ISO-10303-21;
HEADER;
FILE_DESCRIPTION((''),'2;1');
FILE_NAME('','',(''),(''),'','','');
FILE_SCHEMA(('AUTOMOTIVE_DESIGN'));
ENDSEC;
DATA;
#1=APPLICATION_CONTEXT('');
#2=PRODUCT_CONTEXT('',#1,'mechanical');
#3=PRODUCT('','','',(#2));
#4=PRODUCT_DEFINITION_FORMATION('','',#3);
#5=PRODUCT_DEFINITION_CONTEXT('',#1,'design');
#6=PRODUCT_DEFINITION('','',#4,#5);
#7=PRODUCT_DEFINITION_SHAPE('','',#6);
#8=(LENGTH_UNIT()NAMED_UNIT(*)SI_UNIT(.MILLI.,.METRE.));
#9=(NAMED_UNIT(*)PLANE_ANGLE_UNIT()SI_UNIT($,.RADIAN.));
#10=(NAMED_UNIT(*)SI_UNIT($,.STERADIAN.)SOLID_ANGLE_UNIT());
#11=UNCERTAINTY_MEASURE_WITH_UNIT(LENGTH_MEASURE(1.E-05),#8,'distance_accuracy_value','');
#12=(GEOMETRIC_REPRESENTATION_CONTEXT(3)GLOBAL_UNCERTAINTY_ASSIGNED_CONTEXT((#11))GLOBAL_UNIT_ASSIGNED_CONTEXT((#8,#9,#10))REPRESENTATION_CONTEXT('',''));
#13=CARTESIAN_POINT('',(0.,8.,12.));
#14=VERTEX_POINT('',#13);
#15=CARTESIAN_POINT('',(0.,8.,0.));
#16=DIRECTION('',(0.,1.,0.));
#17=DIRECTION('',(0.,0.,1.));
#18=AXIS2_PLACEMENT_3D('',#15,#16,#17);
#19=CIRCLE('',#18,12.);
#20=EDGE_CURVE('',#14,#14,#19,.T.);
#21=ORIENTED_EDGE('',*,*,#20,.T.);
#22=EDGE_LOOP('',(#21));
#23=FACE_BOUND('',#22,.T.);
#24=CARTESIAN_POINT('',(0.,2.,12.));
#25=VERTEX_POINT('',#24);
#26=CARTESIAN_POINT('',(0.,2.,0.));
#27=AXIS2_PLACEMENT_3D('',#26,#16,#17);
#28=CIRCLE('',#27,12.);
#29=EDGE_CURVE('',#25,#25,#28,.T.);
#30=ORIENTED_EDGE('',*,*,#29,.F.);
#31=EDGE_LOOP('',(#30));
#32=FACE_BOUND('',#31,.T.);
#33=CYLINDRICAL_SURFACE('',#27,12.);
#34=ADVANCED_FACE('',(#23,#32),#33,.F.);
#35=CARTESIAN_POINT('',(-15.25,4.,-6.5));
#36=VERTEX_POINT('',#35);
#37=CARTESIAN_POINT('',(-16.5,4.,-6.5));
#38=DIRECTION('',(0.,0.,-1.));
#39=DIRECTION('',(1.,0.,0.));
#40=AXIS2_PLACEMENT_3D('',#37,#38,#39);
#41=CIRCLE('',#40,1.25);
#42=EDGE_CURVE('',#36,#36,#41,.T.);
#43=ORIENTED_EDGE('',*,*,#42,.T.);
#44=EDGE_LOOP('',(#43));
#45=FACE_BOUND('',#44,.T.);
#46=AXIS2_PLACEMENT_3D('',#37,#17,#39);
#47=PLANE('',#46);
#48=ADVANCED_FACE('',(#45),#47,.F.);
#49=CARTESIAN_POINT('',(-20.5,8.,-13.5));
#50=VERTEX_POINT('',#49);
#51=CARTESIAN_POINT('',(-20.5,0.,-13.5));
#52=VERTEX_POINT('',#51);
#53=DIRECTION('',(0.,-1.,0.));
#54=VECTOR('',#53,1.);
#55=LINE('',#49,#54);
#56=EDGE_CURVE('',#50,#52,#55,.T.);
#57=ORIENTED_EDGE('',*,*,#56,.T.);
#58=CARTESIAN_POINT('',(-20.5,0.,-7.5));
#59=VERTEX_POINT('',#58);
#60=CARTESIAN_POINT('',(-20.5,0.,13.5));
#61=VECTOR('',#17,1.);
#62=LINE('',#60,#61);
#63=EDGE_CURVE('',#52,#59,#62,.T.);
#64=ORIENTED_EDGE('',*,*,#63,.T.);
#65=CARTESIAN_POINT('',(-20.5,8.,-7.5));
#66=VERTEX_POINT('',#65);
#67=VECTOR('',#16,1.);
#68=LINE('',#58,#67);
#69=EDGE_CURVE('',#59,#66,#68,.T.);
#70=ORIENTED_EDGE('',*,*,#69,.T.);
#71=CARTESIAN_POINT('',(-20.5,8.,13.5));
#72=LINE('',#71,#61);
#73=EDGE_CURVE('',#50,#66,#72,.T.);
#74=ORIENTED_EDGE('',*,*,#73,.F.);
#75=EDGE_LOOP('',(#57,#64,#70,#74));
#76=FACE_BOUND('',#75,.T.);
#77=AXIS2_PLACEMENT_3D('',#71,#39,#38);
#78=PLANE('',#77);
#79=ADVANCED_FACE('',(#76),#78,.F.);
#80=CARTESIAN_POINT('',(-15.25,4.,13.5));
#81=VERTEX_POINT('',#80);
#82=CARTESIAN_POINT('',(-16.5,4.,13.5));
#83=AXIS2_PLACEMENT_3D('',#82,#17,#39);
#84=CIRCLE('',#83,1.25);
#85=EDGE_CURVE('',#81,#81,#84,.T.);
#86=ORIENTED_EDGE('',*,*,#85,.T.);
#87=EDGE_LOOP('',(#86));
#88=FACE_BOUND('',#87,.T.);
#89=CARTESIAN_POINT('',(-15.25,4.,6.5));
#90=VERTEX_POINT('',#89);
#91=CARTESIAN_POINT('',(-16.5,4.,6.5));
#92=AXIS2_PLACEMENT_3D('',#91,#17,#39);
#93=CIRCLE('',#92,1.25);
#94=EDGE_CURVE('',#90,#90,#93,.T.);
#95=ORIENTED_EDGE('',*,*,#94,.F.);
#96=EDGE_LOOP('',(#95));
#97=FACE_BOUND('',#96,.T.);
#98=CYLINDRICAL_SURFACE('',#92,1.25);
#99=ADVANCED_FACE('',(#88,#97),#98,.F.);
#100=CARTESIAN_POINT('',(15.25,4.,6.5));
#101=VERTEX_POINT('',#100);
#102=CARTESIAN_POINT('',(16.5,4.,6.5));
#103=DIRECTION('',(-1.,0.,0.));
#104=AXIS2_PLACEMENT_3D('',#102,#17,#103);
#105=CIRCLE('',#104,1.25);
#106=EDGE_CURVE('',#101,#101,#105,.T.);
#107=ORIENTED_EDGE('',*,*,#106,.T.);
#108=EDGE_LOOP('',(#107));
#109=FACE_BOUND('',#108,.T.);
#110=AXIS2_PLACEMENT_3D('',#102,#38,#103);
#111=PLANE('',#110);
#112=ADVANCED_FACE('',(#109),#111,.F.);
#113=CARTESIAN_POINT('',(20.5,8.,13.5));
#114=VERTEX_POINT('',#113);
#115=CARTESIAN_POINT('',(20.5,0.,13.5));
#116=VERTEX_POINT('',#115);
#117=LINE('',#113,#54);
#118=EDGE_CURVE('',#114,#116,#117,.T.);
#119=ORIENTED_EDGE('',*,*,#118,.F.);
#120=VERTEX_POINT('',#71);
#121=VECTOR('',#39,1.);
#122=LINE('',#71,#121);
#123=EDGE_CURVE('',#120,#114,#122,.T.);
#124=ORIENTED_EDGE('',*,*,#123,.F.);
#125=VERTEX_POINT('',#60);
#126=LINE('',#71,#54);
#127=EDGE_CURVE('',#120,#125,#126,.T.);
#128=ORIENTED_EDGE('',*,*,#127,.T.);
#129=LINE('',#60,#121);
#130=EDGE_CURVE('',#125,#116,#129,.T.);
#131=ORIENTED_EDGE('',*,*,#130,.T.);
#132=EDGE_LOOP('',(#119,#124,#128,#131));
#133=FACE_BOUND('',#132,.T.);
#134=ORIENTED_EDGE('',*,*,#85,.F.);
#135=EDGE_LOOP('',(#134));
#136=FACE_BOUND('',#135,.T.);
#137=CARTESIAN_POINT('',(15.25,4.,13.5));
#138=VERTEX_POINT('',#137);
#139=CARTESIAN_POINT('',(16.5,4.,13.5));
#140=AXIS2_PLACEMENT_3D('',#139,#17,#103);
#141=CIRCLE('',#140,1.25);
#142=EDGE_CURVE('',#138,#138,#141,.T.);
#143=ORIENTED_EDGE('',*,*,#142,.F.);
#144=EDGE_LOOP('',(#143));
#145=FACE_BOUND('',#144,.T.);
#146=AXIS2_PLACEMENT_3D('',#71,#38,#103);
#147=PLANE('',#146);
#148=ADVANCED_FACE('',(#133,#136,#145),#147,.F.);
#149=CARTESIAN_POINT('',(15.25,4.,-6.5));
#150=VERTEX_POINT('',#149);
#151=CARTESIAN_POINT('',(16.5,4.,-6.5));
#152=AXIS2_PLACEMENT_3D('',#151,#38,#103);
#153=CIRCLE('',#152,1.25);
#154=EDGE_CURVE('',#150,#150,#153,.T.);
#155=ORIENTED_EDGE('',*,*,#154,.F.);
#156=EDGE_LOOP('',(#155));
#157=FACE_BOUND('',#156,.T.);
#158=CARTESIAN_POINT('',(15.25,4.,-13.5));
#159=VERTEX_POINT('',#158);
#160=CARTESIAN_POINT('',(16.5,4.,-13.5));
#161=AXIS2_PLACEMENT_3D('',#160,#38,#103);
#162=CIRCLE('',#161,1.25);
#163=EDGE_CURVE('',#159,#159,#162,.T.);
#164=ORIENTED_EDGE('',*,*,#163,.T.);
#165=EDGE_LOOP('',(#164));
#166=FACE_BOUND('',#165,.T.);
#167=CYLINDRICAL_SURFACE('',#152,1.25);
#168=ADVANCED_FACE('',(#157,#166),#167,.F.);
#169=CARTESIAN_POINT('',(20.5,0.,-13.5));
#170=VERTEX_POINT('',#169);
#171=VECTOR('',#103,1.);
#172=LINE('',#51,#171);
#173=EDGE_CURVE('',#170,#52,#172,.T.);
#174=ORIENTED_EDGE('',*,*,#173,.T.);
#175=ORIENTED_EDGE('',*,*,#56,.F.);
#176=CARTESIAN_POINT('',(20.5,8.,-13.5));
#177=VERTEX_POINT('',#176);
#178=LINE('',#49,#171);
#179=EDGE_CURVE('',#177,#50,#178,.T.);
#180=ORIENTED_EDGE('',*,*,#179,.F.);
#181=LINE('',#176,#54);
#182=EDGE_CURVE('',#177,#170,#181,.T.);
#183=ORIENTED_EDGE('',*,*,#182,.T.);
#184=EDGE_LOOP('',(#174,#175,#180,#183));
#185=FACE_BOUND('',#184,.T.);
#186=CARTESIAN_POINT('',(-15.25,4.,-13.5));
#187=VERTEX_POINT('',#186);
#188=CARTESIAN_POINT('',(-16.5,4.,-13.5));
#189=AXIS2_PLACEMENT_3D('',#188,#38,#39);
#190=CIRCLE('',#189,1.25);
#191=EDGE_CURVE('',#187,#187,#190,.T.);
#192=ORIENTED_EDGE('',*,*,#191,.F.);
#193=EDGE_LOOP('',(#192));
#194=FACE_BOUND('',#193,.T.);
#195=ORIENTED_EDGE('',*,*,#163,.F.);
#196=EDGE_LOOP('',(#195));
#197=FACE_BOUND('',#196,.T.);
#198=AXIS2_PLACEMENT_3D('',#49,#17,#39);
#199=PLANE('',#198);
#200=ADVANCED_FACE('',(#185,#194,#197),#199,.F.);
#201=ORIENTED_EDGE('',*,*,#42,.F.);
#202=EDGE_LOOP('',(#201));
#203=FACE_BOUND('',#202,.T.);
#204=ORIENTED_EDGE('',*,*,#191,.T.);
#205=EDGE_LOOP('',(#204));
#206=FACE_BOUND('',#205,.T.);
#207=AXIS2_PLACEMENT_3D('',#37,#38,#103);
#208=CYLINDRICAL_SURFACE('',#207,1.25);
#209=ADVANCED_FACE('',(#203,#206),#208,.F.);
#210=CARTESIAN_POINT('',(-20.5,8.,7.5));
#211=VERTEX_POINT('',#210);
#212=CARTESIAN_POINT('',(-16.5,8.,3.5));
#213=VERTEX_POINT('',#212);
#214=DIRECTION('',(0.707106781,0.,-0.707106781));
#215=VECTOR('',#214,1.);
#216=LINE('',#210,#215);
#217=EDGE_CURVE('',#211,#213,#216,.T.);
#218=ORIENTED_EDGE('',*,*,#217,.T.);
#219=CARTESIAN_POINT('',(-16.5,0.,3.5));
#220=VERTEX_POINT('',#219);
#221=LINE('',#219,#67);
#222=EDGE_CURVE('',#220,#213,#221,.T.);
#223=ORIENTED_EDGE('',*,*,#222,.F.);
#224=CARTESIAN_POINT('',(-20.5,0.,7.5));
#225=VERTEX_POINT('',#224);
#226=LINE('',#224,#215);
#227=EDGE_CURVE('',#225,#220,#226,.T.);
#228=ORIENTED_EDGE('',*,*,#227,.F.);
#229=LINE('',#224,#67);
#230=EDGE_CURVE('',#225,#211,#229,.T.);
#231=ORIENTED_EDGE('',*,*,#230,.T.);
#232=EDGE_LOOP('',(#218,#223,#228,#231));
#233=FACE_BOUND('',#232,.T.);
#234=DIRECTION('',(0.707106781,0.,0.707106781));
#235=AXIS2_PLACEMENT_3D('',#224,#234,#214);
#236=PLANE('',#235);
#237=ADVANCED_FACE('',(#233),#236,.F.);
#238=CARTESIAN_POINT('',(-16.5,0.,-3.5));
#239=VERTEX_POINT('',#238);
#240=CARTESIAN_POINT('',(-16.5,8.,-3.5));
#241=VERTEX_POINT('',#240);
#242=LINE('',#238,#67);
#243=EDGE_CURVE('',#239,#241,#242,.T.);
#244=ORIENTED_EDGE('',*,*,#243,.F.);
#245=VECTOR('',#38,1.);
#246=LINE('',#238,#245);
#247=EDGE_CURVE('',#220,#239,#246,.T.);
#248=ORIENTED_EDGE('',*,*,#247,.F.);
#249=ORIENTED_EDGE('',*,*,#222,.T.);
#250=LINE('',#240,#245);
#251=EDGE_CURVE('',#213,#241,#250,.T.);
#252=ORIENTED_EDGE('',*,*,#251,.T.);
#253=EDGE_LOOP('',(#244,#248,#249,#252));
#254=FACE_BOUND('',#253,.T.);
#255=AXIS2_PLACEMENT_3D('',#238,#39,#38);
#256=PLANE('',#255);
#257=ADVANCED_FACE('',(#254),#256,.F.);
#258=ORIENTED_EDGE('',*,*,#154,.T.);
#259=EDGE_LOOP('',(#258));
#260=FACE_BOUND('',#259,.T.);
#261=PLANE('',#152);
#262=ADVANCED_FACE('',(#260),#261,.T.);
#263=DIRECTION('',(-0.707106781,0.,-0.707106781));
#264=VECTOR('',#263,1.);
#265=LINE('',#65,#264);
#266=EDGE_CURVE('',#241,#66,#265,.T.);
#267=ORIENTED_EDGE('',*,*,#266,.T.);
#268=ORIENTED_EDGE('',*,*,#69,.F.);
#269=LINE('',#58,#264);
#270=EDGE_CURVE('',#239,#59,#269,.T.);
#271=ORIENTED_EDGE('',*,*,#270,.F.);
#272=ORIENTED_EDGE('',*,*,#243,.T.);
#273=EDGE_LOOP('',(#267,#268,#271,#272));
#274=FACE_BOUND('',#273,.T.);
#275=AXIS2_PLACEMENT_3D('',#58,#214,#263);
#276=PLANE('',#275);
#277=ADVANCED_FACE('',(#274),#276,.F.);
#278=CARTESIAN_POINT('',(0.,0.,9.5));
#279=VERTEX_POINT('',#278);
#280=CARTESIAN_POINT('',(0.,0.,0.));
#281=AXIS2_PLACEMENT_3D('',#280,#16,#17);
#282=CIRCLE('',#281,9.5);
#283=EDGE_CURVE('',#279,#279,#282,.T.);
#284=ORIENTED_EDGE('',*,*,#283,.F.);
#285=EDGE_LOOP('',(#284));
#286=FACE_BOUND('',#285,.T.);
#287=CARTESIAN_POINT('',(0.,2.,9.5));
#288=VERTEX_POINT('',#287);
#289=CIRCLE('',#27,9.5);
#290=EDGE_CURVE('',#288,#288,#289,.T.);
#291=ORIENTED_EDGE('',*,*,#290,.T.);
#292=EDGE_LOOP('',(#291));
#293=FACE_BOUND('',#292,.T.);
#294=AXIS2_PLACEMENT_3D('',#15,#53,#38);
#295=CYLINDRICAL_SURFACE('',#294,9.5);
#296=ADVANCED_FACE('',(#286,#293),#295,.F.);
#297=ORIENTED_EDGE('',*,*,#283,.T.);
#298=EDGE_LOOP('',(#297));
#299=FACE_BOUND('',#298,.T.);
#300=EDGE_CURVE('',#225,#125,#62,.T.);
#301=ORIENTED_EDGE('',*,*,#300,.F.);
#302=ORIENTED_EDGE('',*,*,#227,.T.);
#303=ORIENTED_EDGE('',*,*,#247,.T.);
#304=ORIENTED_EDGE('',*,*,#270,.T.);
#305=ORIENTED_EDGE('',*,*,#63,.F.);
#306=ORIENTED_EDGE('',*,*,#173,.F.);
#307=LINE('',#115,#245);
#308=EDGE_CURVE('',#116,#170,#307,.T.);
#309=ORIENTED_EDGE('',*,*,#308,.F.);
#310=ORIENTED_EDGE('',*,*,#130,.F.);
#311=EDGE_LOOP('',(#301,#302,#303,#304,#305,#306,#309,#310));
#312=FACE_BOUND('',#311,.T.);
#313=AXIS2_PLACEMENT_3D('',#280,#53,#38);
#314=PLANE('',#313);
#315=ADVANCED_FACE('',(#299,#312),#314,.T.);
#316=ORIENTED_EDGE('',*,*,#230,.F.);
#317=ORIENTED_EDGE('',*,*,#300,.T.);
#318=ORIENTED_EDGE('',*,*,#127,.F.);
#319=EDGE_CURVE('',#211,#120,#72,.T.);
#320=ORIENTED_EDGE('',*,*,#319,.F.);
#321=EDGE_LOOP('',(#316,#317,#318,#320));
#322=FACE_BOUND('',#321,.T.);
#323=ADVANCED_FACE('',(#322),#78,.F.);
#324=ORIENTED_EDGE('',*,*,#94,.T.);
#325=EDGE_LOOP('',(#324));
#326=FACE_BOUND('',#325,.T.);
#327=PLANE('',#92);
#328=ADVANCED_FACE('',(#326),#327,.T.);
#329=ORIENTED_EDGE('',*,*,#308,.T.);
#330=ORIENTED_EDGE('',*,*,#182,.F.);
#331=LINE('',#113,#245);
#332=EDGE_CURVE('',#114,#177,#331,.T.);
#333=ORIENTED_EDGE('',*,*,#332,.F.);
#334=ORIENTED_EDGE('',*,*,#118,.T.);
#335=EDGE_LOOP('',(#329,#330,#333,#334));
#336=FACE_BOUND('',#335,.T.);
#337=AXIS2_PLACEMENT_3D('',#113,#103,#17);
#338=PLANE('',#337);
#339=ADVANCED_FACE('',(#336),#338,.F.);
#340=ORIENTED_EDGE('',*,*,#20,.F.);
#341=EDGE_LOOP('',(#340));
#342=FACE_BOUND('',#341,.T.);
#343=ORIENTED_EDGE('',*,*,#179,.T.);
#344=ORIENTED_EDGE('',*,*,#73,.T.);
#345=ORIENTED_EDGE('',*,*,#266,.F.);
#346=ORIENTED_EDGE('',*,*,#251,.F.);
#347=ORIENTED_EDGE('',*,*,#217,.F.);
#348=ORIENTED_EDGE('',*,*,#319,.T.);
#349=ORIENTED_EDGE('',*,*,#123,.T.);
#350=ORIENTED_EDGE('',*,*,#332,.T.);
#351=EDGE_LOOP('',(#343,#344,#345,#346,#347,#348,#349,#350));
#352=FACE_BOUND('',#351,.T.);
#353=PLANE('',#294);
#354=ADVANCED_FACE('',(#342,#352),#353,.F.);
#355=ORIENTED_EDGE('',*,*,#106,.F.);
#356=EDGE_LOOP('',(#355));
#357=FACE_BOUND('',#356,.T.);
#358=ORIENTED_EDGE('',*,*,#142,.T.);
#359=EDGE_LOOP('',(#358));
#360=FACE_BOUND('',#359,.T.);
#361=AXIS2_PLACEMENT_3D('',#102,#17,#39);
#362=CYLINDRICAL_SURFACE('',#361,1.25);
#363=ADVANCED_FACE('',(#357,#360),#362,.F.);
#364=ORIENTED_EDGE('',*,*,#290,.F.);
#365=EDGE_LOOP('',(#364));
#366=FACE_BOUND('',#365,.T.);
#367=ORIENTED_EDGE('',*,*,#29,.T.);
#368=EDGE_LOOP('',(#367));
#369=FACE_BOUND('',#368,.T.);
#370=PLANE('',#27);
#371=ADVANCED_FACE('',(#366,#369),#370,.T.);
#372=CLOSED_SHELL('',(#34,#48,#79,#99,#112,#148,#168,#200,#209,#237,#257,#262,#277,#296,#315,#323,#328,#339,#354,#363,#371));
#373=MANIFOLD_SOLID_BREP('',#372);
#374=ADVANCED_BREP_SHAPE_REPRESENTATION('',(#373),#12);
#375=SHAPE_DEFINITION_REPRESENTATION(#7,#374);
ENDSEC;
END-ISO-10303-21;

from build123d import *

# Parameters (mm, degrees)
SKETCH_1_W          = 41
SKETCH_1_H          = 27
SKETCH_1_R          = 9.5
EXTRUDE_1_DEPTH     = 8
SKETCH_2_R          = 12
CUT_EXTRUDE_1_DEPTH = 6
CUT_EXTRUDE_2_DEPTH = 8
SKETCH_4_R          = 1.25
CUT_EXTRUDE_3_DEPTH = 7
SKETCH_5_R          = 1.25
CUT_EXTRUDE_4_DEPTH = 7


with BuildPart() as part:
    # Эскиз1 → Бобышка-Вытянуть1 (new body)
    with BuildSketch(Plane(origin=(0, 0, 0), x_dir=(1, 0, 0), z_dir=(0, 1, 0))):
        Rectangle(SKETCH_1_W, SKETCH_1_H)
        with Locations(Location((0, 0, 0), (0, 0, 270))):  # turned: the seam where the file's is
            Circle(SKETCH_1_R, mode=Mode.SUBTRACT)
    extrude(amount=EXTRUDE_1_DEPTH)

    # Эскиз2 → Вырез-Вытянуть1 (cut)
    with BuildSketch(Plane(origin=(0, 8, 0), x_dir=(1, 0, 0), z_dir=(0, 1, 0))):
        with Locations(Location((0, 0, 0), (0, 0, 270))):  # turned: the seam where the file's is
            Circle(SKETCH_2_R)
    extrude(amount=-CUT_EXTRUDE_1_DEPTH, mode=Mode.SUBTRACT)

    # Эскиз3 → Вырез-Вытянуть2 (cut)
    with BuildSketch(Plane(origin=(0, 8, 0), x_dir=(1, 0, 0), z_dir=(0, 1, 0))):
        Polygon((-20.5, 7.5), (-16.5, 3.5), (-16.5, -3.5), (-20.5, -7.5), align=None)
    extrude(amount=-CUT_EXTRUDE_2_DEPTH, mode=Mode.SUBTRACT)

    # Эскиз4 → Вырез-Вытянуть3 (cut)
    with BuildSketch(Plane.XY.offset(13.5)):
        with Locations((-16.5, 4)):
            Circle(SKETCH_4_R)
        with Locations(Location((16.5, 4, 0), (0, 0, 180))):  # turned: the seam where the file's is
            Circle(SKETCH_4_R)
    extrude(amount=-CUT_EXTRUDE_3_DEPTH, mode=Mode.SUBTRACT)

    # Эскиз5 → Вырез-Вытянуть4 (cut)
    with BuildSketch(Plane(origin=(0, 0, -13.5), x_dir=(-1, 0, 0), z_dir=(0, 0, -1))):
        with Locations((-16.5, 4)):
            Circle(SKETCH_5_R)
        with Locations(Location((16.5, 4, 0), (0, 0, 180))):  # turned: the seam where the file's is
            Circle(SKETCH_5_R)
    extrude(amount=-CUT_EXTRUDE_4_DEPTH, mode=Mode.SUBTRACT)


solid = part.part
